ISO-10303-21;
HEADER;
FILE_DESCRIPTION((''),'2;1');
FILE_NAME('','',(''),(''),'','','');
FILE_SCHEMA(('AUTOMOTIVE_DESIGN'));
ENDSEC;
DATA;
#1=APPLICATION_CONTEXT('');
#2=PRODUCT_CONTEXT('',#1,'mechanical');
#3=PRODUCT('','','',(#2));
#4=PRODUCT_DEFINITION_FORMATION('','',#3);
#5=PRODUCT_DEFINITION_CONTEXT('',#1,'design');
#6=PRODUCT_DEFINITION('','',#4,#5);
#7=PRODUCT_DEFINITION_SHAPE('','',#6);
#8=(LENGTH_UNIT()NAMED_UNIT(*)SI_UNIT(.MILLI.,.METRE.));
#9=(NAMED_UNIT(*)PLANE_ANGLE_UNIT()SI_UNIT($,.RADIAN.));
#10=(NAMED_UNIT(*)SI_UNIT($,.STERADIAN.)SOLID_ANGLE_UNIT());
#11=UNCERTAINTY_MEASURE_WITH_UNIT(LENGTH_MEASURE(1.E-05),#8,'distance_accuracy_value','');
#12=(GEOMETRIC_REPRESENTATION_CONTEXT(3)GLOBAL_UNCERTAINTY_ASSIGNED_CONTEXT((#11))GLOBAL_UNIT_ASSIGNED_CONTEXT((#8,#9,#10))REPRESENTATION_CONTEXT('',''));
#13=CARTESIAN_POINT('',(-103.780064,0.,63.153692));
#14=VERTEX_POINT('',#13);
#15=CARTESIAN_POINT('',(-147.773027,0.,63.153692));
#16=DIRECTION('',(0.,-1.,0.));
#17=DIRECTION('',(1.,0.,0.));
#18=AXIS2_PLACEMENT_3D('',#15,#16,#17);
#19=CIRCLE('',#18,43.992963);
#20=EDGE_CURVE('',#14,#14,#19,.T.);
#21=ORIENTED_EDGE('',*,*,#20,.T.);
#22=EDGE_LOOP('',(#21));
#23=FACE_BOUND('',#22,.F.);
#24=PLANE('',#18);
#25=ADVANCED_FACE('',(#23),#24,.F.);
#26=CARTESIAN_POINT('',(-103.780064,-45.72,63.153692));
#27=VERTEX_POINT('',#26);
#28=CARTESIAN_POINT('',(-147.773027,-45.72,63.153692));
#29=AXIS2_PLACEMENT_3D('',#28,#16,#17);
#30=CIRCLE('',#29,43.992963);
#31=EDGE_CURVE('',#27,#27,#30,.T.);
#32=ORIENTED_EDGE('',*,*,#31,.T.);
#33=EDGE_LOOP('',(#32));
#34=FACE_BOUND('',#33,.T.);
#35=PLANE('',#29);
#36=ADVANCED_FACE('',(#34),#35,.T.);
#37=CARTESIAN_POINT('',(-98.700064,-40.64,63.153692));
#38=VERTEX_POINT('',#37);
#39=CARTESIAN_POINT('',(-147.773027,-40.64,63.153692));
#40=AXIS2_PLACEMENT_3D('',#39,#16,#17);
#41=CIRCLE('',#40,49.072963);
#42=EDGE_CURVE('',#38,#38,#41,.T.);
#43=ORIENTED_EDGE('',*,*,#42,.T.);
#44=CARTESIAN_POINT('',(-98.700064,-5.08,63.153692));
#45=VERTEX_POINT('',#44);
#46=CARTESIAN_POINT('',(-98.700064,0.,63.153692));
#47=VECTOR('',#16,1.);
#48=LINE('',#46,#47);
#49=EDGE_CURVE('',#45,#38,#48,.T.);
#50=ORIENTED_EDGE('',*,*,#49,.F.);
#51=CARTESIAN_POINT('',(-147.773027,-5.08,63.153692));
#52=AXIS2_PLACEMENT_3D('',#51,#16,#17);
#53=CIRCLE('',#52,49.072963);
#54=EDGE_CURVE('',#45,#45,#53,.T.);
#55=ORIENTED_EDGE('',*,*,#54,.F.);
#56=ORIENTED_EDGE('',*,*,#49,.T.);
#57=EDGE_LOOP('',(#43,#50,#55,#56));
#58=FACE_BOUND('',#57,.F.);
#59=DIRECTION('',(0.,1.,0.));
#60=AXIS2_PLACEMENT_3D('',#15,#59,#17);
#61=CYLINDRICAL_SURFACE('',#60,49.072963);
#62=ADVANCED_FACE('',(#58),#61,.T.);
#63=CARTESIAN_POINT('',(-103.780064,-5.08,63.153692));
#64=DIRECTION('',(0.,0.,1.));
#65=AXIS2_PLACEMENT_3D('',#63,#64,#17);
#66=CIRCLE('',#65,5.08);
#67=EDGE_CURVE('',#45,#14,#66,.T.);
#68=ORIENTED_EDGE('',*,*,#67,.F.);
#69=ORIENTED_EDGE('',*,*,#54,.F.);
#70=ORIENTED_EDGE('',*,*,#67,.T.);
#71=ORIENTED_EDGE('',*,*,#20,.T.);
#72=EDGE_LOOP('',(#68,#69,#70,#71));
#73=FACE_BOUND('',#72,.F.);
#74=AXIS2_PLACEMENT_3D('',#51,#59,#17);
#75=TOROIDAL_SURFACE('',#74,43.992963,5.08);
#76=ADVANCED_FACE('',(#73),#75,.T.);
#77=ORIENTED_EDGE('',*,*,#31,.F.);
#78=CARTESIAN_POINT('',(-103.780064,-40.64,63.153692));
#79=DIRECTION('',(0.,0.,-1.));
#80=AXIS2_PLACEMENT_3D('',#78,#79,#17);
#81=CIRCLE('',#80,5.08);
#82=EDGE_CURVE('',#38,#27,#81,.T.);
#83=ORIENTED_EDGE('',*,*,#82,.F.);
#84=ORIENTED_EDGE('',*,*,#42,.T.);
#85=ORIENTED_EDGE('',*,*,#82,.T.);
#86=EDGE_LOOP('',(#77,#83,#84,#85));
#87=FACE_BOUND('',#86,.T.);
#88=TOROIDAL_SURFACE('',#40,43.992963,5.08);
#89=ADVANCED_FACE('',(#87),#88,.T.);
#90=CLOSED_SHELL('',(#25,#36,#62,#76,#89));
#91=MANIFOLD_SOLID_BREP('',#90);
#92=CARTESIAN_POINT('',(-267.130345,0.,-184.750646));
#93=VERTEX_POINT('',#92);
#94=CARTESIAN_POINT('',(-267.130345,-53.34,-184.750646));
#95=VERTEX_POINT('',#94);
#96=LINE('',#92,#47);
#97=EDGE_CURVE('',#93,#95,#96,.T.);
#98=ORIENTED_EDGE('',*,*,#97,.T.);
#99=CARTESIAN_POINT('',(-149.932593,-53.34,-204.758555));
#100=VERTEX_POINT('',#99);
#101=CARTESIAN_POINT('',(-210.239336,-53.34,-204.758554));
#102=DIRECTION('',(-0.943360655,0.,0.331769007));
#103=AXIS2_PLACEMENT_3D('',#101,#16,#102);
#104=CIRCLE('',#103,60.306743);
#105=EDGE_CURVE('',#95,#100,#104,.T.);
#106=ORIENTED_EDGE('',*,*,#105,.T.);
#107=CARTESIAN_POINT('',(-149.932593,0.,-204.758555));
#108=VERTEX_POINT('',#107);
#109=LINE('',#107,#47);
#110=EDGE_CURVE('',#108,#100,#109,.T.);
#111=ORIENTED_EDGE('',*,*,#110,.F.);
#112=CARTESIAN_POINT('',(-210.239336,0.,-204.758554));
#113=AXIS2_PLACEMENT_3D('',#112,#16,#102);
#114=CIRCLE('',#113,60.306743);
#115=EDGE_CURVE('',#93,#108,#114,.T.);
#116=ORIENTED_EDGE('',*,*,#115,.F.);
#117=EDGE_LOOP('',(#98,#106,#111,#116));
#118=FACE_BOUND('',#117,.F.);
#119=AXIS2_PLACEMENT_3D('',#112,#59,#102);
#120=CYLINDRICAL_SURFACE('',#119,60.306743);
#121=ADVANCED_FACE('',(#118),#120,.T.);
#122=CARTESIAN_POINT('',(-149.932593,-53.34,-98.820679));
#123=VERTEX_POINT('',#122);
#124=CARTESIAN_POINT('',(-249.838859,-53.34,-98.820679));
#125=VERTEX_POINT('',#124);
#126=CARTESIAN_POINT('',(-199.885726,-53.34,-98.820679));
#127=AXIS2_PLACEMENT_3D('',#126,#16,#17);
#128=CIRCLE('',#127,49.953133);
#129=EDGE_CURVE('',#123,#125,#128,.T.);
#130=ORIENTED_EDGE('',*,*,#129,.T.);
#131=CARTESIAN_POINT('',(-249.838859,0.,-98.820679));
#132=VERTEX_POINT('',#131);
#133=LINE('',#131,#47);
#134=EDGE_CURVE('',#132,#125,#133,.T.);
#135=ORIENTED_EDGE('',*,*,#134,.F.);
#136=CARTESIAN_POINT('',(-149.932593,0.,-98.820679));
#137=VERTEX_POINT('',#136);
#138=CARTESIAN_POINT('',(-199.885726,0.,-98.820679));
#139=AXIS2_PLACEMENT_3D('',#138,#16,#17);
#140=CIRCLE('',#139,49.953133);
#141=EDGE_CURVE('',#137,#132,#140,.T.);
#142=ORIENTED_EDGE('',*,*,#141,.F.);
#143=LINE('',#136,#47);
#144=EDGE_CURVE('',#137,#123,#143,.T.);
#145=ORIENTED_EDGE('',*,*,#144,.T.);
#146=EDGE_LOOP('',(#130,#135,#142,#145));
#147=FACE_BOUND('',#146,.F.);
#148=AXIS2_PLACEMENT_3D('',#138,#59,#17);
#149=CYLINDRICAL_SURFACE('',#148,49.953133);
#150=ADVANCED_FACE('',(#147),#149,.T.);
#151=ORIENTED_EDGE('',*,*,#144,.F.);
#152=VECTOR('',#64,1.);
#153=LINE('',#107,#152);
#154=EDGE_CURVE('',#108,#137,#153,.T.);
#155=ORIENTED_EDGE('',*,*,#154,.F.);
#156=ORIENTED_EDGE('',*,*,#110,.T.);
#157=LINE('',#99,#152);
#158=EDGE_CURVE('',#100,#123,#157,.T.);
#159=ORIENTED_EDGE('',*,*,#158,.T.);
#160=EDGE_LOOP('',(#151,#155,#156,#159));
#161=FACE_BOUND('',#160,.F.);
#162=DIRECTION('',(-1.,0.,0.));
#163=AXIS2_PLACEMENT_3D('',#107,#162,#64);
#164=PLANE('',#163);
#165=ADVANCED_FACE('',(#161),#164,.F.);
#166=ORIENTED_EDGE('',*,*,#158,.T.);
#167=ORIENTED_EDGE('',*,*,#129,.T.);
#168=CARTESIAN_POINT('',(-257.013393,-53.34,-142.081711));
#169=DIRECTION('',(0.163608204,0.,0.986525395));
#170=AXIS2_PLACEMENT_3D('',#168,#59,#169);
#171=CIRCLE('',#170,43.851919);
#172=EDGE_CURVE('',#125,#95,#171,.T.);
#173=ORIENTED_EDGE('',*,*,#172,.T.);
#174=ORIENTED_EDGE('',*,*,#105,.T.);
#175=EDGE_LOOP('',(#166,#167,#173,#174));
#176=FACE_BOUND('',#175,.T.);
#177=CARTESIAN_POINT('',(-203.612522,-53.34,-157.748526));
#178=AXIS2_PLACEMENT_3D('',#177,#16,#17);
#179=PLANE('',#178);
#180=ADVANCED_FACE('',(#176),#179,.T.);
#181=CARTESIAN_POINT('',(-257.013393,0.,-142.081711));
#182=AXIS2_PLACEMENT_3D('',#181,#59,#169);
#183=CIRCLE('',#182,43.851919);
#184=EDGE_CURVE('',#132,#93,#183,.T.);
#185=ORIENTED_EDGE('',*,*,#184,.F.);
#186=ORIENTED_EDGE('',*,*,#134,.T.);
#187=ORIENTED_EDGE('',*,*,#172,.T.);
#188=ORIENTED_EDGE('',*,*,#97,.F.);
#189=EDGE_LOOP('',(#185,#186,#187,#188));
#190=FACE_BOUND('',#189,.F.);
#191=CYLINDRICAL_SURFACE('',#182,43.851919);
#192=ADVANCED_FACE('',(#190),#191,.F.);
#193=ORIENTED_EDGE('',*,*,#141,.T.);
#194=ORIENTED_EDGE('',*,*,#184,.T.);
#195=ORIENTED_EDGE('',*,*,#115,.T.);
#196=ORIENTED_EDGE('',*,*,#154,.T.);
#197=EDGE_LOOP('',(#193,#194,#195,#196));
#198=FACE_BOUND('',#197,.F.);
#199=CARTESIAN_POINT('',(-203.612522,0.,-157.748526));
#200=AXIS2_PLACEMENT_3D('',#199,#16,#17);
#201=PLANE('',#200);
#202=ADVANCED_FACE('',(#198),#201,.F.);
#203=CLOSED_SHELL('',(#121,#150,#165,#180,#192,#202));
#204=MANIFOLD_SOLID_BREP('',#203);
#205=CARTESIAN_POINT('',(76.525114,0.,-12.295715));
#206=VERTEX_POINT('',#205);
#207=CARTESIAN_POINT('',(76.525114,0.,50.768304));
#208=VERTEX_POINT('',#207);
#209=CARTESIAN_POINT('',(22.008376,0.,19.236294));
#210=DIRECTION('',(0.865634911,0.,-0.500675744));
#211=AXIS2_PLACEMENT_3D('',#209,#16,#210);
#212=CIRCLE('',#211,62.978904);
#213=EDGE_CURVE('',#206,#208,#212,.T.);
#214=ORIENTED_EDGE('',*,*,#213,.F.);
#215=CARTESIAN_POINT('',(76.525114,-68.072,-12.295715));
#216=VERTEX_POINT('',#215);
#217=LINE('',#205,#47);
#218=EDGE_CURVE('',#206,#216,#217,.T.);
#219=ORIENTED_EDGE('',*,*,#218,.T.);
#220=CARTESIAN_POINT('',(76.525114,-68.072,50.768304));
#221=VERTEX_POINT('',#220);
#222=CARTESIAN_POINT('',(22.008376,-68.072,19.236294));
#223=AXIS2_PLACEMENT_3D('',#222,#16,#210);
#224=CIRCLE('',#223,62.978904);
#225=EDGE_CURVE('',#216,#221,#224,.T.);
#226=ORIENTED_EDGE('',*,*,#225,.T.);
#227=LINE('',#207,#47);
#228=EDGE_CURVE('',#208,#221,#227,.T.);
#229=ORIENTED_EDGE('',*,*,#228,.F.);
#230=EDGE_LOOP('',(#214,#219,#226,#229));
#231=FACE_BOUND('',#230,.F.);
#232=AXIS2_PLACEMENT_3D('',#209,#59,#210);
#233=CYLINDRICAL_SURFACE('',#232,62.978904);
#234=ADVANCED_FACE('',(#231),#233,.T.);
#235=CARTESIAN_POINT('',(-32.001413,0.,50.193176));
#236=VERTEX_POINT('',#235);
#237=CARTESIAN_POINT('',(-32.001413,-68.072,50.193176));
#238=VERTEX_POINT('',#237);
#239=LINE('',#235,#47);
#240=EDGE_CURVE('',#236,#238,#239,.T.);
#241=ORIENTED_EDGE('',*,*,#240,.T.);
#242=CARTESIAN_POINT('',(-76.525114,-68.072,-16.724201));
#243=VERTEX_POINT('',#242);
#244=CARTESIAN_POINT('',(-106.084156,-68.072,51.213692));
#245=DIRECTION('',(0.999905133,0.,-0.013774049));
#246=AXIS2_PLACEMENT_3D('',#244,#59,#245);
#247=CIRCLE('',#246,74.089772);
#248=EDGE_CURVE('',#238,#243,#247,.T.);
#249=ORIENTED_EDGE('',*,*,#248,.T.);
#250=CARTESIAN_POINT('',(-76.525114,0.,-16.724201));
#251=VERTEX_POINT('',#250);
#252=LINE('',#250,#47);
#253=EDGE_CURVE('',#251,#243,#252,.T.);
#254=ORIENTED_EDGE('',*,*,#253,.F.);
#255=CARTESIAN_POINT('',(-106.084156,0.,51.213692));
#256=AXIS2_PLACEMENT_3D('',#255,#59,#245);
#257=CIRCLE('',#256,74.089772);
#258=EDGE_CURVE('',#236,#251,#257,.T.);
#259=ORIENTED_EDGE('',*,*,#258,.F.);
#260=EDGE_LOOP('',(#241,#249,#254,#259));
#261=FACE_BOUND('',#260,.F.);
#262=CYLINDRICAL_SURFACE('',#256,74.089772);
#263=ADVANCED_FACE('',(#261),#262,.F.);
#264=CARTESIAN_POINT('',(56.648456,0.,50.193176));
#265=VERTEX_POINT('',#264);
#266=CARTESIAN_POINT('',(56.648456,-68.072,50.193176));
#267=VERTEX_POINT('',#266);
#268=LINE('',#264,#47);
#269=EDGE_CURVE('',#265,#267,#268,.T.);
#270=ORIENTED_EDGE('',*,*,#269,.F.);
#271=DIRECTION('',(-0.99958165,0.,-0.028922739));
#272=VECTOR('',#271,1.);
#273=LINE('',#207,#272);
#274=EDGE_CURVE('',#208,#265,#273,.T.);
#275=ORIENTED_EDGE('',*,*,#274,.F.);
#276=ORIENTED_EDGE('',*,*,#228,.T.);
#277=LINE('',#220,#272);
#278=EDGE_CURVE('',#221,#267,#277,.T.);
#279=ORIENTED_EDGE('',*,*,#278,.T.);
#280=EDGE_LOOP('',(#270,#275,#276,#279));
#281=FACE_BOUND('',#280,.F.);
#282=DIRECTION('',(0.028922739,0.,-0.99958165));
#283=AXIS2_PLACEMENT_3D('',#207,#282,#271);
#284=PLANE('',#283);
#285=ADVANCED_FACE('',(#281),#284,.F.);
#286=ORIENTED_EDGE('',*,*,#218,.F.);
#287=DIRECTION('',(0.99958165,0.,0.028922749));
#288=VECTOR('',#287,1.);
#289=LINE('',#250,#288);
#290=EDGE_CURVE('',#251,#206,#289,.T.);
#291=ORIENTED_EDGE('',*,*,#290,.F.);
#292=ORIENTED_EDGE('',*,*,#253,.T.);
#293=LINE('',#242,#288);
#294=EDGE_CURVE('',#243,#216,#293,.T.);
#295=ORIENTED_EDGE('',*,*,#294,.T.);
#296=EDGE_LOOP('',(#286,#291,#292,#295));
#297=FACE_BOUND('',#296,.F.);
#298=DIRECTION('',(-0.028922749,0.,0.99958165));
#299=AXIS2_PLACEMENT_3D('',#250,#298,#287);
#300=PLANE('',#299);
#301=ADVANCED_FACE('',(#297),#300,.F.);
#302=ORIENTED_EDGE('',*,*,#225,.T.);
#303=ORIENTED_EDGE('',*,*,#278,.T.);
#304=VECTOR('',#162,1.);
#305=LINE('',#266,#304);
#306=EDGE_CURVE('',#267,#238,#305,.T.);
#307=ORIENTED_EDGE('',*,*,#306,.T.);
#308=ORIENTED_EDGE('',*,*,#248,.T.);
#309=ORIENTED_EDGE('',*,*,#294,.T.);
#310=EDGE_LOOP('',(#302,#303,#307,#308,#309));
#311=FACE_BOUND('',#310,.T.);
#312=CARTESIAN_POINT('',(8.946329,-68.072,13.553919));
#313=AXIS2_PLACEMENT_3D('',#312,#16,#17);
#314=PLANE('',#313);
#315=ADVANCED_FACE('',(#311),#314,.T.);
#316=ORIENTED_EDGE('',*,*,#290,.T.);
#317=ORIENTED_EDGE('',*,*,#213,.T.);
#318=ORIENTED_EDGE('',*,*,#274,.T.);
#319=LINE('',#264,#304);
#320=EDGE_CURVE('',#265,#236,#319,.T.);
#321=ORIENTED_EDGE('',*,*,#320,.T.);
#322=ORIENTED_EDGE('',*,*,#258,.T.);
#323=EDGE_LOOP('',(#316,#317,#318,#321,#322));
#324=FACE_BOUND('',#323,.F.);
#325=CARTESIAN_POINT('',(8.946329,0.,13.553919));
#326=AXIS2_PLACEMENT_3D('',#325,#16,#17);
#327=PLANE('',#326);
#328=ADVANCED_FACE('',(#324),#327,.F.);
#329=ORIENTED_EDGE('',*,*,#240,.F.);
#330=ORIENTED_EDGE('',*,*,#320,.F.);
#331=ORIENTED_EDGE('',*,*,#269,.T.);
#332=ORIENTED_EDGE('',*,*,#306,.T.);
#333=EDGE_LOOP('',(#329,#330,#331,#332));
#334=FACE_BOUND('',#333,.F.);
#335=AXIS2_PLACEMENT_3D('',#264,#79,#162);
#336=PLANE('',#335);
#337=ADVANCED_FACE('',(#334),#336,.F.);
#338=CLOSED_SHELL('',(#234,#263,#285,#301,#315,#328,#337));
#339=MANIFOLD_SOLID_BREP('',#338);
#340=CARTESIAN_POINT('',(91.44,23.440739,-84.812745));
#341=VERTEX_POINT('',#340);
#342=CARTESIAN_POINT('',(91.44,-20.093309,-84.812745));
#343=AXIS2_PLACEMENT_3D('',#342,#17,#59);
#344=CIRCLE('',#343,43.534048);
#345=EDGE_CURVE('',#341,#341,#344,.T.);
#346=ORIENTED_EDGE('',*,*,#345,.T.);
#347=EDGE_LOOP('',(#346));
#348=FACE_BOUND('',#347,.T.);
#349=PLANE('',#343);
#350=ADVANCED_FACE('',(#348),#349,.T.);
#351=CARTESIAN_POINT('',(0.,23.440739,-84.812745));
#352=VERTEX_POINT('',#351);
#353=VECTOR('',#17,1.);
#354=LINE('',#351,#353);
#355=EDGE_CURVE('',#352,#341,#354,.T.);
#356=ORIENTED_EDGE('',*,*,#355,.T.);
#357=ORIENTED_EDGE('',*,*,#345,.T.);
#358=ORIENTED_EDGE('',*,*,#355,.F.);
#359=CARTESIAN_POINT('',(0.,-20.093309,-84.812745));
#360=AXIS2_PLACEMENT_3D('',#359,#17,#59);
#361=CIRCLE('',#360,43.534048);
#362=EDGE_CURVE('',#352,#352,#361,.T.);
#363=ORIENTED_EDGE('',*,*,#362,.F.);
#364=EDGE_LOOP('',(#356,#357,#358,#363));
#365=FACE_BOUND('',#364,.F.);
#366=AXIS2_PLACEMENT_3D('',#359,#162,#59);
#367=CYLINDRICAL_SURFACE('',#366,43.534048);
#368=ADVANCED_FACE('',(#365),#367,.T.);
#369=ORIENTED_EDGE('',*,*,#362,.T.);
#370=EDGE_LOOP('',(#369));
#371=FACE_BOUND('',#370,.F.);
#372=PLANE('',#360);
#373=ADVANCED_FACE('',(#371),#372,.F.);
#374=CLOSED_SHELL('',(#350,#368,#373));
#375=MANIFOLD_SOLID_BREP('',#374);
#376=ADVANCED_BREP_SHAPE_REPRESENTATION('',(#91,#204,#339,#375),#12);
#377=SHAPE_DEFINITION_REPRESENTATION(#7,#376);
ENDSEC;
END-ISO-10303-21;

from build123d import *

# Parameters (mm, degrees)
F1_DEPTH = 68.072
F2_R     = 49.072963
F3_DEPTH = 45.72
F4_R     = 5.08
F5_R     = 5.08
F6_R     = 43.534048
F7_DEPTH = 91.44
F9_DEPTH = 53.34


with BuildPart() as f1:
    # F0 (on Front) → F1 (new body)
    with BuildSketch(Plane.XZ):
        with BuildLine():
            ThreePointArc((-32.001413, 50.193176), (-44.400376, 10.172182), (-76.525114, -16.724201))
            Line((-76.525114, -16.724201), (76.525114, -12.295715))
            ThreePointArc((76.525114, -12.295715), (84.98728, 19.236295), (76.525114, 50.768304))
            Line((76.525114, 50.768304), (56.648456, 50.193176))
            Line((56.648456, 50.193176), (-32.001413, 50.193176))
        make_face()
    extrude(amount=F1_DEPTH)


with BuildPart() as f3:
    # F2 (on Front) → F3 (new body)
    with BuildSketch(Plane.XZ):
        with Locations((-147.773027, 63.153692)):
            Circle(F2_R)
    extrude(amount=F3_DEPTH)

    # F4
    f4_edges = [f3.edges().sort_by_distance(p)[0] for p in [
        (-196.84599, -45.72, 63.153692),
    ]]
    fillet(f4_edges, radius=F4_R)

    # F5
    f5_edges = [f3.edges().sort_by_distance(p)[0] for p in [
        (-196.84599, 0, 63.153692),
    ]]
    fillet(f5_edges, radius=F5_R)


with BuildPart() as f7:
    # F6 (on Right) → F7 (new body)
    with BuildSketch(Plane.YZ):
        with Locations((-20.093309, -84.812745)):
            Circle(F6_R)
    extrude(amount=F7_DEPTH)


with BuildPart() as f9:
    # F8 (on Front) → F9 (new body)
    with BuildSketch(Plane.XZ):
        with BuildLine():
            Line((-149.932593, -204.758555), (-149.932593, -98.820679))
            ThreePointArc((-149.932593, -98.820679), (-199.885726, -48.867546), (-249.838859, -98.820679))
            ThreePointArc((-249.838859, -98.820679), (-214.023228, -150.732521), (-267.130345, -184.750646))
            ThreePointArc((-267.130345, -184.750646), (-220.388026, -264.205231), (-149.932593, -204.758555))
        make_face()
    extrude(amount=F9_DEPTH)


solid = Compound([f1.part, f3.part, f7.part, f9.part])
